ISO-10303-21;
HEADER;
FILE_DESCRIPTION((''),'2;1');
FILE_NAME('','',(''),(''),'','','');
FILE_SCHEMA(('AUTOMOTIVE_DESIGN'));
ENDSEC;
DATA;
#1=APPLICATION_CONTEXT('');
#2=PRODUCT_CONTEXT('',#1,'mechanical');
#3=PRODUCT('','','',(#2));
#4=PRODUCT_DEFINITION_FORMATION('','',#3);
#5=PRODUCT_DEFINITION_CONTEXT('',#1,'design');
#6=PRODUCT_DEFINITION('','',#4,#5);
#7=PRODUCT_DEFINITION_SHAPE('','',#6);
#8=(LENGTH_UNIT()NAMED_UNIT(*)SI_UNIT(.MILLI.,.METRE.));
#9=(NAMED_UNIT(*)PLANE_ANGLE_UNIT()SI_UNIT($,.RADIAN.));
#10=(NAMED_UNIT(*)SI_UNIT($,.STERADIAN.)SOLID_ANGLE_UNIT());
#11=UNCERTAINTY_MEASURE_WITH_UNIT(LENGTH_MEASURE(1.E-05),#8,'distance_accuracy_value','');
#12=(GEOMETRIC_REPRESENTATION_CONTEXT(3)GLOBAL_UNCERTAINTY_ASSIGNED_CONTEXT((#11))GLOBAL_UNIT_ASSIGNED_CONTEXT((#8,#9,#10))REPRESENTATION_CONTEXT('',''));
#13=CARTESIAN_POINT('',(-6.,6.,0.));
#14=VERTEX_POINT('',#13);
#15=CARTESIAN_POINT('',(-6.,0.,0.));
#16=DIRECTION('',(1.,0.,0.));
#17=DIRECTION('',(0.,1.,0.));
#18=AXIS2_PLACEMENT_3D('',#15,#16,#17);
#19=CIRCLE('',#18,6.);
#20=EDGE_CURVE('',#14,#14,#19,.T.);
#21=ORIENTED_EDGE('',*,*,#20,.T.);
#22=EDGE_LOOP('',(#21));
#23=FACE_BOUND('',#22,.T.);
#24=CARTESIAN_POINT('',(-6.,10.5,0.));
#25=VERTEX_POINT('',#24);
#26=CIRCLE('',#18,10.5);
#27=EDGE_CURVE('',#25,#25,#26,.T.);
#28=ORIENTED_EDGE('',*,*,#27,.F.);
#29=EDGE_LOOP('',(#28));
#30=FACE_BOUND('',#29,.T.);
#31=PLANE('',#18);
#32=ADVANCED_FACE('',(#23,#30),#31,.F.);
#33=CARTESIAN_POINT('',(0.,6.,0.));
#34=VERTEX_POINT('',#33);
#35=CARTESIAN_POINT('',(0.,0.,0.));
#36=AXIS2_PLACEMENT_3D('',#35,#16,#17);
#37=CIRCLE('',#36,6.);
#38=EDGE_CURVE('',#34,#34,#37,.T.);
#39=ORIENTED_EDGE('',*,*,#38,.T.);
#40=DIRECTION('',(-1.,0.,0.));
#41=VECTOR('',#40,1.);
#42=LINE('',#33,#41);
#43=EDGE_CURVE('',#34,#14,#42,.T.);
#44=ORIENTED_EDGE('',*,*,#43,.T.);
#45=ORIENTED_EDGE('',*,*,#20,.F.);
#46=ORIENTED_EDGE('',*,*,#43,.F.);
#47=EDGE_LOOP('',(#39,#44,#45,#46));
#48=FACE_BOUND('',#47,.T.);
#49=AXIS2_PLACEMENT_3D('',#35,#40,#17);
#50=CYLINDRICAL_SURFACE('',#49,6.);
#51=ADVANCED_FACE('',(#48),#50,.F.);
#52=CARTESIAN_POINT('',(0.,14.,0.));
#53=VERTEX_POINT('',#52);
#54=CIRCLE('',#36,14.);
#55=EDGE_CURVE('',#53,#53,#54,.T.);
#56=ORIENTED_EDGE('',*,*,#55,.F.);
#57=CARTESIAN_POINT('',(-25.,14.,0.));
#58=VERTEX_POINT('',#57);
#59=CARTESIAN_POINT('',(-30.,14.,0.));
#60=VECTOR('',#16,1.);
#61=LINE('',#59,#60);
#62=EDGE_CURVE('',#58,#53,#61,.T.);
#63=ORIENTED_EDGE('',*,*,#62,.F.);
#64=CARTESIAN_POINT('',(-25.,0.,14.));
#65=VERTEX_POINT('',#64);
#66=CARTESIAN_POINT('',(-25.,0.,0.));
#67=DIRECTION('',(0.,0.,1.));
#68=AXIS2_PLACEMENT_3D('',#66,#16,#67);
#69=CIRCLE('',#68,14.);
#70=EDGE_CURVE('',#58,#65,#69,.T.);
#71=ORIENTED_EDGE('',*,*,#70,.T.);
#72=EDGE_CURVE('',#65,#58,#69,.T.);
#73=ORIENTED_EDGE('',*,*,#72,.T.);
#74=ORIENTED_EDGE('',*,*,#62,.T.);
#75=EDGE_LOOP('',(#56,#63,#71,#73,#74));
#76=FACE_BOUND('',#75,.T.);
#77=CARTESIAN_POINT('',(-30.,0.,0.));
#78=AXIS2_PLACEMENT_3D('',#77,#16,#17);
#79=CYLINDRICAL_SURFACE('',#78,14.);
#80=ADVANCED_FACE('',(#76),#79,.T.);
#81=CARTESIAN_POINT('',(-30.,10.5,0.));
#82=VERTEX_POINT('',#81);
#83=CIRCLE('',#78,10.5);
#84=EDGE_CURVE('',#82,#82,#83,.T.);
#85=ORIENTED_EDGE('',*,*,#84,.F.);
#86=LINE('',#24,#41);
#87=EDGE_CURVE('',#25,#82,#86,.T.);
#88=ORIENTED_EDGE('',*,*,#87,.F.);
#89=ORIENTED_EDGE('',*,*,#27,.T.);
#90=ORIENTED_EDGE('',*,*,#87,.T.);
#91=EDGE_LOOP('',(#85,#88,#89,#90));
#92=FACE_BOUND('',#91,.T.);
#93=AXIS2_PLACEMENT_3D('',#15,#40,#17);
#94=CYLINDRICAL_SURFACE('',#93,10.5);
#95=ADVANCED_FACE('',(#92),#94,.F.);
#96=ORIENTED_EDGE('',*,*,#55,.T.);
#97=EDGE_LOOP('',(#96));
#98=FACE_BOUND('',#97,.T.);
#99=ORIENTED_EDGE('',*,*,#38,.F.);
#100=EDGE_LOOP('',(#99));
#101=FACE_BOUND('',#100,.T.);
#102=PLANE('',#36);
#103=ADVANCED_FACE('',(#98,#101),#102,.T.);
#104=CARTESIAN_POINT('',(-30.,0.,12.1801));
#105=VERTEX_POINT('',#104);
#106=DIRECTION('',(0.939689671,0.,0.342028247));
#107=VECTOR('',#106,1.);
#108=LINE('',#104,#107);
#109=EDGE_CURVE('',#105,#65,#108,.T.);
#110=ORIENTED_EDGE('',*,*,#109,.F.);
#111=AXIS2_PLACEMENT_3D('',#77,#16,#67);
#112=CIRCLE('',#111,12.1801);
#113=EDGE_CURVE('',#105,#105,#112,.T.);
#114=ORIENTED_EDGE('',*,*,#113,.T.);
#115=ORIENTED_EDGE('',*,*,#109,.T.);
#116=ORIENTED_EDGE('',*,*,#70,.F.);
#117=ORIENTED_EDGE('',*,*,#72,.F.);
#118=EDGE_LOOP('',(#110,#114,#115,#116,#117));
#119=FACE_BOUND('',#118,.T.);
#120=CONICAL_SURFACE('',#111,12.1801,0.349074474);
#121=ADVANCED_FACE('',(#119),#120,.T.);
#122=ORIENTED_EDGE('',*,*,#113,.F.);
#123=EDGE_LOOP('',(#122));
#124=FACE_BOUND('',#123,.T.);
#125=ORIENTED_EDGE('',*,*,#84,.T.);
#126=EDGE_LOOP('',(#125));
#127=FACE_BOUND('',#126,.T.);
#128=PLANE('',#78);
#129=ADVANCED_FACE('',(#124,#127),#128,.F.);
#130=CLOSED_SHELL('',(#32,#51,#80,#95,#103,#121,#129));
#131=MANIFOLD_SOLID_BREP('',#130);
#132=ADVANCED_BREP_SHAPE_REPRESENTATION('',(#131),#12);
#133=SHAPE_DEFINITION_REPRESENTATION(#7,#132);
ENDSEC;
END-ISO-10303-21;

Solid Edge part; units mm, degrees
sketch "Sketch1" plane through (0, 0, 0) normal (0, 0, 1) x (1, 0, 0)
  line L0 (-6, 10.5) -> (-30, 10.5)
  line L1 (-30, 10.5) -> (-30, 14)
  line L2 (-30, 14) -> (0, 14)
  line L3 (0, 14) -> (0, 6)
  line L4 (0, 6) -> (-6, 6)
  line L5 (-6, 6) -> (-6, 10.5)
revolve "RevolvedProtrusion1" add sketch "Sketch1" angle 360 about axis through (-24.1113, 0, 0) along (1, 0, 0)
sketch "Sketch2" plane through (0, 0, 0) normal (0, -1, 0) x (1, 0, 0)
  line L0 (-30, 12.1801) -> (-25, 14)
  dimension "D1" = 5
revolve "RevolvedCutout1" cut sketch "Sketch2" angle 360 about axis through (-24.1113, 0, 0) along (1, 0, 0) material side at (-27.5171, 0, 13.137)
